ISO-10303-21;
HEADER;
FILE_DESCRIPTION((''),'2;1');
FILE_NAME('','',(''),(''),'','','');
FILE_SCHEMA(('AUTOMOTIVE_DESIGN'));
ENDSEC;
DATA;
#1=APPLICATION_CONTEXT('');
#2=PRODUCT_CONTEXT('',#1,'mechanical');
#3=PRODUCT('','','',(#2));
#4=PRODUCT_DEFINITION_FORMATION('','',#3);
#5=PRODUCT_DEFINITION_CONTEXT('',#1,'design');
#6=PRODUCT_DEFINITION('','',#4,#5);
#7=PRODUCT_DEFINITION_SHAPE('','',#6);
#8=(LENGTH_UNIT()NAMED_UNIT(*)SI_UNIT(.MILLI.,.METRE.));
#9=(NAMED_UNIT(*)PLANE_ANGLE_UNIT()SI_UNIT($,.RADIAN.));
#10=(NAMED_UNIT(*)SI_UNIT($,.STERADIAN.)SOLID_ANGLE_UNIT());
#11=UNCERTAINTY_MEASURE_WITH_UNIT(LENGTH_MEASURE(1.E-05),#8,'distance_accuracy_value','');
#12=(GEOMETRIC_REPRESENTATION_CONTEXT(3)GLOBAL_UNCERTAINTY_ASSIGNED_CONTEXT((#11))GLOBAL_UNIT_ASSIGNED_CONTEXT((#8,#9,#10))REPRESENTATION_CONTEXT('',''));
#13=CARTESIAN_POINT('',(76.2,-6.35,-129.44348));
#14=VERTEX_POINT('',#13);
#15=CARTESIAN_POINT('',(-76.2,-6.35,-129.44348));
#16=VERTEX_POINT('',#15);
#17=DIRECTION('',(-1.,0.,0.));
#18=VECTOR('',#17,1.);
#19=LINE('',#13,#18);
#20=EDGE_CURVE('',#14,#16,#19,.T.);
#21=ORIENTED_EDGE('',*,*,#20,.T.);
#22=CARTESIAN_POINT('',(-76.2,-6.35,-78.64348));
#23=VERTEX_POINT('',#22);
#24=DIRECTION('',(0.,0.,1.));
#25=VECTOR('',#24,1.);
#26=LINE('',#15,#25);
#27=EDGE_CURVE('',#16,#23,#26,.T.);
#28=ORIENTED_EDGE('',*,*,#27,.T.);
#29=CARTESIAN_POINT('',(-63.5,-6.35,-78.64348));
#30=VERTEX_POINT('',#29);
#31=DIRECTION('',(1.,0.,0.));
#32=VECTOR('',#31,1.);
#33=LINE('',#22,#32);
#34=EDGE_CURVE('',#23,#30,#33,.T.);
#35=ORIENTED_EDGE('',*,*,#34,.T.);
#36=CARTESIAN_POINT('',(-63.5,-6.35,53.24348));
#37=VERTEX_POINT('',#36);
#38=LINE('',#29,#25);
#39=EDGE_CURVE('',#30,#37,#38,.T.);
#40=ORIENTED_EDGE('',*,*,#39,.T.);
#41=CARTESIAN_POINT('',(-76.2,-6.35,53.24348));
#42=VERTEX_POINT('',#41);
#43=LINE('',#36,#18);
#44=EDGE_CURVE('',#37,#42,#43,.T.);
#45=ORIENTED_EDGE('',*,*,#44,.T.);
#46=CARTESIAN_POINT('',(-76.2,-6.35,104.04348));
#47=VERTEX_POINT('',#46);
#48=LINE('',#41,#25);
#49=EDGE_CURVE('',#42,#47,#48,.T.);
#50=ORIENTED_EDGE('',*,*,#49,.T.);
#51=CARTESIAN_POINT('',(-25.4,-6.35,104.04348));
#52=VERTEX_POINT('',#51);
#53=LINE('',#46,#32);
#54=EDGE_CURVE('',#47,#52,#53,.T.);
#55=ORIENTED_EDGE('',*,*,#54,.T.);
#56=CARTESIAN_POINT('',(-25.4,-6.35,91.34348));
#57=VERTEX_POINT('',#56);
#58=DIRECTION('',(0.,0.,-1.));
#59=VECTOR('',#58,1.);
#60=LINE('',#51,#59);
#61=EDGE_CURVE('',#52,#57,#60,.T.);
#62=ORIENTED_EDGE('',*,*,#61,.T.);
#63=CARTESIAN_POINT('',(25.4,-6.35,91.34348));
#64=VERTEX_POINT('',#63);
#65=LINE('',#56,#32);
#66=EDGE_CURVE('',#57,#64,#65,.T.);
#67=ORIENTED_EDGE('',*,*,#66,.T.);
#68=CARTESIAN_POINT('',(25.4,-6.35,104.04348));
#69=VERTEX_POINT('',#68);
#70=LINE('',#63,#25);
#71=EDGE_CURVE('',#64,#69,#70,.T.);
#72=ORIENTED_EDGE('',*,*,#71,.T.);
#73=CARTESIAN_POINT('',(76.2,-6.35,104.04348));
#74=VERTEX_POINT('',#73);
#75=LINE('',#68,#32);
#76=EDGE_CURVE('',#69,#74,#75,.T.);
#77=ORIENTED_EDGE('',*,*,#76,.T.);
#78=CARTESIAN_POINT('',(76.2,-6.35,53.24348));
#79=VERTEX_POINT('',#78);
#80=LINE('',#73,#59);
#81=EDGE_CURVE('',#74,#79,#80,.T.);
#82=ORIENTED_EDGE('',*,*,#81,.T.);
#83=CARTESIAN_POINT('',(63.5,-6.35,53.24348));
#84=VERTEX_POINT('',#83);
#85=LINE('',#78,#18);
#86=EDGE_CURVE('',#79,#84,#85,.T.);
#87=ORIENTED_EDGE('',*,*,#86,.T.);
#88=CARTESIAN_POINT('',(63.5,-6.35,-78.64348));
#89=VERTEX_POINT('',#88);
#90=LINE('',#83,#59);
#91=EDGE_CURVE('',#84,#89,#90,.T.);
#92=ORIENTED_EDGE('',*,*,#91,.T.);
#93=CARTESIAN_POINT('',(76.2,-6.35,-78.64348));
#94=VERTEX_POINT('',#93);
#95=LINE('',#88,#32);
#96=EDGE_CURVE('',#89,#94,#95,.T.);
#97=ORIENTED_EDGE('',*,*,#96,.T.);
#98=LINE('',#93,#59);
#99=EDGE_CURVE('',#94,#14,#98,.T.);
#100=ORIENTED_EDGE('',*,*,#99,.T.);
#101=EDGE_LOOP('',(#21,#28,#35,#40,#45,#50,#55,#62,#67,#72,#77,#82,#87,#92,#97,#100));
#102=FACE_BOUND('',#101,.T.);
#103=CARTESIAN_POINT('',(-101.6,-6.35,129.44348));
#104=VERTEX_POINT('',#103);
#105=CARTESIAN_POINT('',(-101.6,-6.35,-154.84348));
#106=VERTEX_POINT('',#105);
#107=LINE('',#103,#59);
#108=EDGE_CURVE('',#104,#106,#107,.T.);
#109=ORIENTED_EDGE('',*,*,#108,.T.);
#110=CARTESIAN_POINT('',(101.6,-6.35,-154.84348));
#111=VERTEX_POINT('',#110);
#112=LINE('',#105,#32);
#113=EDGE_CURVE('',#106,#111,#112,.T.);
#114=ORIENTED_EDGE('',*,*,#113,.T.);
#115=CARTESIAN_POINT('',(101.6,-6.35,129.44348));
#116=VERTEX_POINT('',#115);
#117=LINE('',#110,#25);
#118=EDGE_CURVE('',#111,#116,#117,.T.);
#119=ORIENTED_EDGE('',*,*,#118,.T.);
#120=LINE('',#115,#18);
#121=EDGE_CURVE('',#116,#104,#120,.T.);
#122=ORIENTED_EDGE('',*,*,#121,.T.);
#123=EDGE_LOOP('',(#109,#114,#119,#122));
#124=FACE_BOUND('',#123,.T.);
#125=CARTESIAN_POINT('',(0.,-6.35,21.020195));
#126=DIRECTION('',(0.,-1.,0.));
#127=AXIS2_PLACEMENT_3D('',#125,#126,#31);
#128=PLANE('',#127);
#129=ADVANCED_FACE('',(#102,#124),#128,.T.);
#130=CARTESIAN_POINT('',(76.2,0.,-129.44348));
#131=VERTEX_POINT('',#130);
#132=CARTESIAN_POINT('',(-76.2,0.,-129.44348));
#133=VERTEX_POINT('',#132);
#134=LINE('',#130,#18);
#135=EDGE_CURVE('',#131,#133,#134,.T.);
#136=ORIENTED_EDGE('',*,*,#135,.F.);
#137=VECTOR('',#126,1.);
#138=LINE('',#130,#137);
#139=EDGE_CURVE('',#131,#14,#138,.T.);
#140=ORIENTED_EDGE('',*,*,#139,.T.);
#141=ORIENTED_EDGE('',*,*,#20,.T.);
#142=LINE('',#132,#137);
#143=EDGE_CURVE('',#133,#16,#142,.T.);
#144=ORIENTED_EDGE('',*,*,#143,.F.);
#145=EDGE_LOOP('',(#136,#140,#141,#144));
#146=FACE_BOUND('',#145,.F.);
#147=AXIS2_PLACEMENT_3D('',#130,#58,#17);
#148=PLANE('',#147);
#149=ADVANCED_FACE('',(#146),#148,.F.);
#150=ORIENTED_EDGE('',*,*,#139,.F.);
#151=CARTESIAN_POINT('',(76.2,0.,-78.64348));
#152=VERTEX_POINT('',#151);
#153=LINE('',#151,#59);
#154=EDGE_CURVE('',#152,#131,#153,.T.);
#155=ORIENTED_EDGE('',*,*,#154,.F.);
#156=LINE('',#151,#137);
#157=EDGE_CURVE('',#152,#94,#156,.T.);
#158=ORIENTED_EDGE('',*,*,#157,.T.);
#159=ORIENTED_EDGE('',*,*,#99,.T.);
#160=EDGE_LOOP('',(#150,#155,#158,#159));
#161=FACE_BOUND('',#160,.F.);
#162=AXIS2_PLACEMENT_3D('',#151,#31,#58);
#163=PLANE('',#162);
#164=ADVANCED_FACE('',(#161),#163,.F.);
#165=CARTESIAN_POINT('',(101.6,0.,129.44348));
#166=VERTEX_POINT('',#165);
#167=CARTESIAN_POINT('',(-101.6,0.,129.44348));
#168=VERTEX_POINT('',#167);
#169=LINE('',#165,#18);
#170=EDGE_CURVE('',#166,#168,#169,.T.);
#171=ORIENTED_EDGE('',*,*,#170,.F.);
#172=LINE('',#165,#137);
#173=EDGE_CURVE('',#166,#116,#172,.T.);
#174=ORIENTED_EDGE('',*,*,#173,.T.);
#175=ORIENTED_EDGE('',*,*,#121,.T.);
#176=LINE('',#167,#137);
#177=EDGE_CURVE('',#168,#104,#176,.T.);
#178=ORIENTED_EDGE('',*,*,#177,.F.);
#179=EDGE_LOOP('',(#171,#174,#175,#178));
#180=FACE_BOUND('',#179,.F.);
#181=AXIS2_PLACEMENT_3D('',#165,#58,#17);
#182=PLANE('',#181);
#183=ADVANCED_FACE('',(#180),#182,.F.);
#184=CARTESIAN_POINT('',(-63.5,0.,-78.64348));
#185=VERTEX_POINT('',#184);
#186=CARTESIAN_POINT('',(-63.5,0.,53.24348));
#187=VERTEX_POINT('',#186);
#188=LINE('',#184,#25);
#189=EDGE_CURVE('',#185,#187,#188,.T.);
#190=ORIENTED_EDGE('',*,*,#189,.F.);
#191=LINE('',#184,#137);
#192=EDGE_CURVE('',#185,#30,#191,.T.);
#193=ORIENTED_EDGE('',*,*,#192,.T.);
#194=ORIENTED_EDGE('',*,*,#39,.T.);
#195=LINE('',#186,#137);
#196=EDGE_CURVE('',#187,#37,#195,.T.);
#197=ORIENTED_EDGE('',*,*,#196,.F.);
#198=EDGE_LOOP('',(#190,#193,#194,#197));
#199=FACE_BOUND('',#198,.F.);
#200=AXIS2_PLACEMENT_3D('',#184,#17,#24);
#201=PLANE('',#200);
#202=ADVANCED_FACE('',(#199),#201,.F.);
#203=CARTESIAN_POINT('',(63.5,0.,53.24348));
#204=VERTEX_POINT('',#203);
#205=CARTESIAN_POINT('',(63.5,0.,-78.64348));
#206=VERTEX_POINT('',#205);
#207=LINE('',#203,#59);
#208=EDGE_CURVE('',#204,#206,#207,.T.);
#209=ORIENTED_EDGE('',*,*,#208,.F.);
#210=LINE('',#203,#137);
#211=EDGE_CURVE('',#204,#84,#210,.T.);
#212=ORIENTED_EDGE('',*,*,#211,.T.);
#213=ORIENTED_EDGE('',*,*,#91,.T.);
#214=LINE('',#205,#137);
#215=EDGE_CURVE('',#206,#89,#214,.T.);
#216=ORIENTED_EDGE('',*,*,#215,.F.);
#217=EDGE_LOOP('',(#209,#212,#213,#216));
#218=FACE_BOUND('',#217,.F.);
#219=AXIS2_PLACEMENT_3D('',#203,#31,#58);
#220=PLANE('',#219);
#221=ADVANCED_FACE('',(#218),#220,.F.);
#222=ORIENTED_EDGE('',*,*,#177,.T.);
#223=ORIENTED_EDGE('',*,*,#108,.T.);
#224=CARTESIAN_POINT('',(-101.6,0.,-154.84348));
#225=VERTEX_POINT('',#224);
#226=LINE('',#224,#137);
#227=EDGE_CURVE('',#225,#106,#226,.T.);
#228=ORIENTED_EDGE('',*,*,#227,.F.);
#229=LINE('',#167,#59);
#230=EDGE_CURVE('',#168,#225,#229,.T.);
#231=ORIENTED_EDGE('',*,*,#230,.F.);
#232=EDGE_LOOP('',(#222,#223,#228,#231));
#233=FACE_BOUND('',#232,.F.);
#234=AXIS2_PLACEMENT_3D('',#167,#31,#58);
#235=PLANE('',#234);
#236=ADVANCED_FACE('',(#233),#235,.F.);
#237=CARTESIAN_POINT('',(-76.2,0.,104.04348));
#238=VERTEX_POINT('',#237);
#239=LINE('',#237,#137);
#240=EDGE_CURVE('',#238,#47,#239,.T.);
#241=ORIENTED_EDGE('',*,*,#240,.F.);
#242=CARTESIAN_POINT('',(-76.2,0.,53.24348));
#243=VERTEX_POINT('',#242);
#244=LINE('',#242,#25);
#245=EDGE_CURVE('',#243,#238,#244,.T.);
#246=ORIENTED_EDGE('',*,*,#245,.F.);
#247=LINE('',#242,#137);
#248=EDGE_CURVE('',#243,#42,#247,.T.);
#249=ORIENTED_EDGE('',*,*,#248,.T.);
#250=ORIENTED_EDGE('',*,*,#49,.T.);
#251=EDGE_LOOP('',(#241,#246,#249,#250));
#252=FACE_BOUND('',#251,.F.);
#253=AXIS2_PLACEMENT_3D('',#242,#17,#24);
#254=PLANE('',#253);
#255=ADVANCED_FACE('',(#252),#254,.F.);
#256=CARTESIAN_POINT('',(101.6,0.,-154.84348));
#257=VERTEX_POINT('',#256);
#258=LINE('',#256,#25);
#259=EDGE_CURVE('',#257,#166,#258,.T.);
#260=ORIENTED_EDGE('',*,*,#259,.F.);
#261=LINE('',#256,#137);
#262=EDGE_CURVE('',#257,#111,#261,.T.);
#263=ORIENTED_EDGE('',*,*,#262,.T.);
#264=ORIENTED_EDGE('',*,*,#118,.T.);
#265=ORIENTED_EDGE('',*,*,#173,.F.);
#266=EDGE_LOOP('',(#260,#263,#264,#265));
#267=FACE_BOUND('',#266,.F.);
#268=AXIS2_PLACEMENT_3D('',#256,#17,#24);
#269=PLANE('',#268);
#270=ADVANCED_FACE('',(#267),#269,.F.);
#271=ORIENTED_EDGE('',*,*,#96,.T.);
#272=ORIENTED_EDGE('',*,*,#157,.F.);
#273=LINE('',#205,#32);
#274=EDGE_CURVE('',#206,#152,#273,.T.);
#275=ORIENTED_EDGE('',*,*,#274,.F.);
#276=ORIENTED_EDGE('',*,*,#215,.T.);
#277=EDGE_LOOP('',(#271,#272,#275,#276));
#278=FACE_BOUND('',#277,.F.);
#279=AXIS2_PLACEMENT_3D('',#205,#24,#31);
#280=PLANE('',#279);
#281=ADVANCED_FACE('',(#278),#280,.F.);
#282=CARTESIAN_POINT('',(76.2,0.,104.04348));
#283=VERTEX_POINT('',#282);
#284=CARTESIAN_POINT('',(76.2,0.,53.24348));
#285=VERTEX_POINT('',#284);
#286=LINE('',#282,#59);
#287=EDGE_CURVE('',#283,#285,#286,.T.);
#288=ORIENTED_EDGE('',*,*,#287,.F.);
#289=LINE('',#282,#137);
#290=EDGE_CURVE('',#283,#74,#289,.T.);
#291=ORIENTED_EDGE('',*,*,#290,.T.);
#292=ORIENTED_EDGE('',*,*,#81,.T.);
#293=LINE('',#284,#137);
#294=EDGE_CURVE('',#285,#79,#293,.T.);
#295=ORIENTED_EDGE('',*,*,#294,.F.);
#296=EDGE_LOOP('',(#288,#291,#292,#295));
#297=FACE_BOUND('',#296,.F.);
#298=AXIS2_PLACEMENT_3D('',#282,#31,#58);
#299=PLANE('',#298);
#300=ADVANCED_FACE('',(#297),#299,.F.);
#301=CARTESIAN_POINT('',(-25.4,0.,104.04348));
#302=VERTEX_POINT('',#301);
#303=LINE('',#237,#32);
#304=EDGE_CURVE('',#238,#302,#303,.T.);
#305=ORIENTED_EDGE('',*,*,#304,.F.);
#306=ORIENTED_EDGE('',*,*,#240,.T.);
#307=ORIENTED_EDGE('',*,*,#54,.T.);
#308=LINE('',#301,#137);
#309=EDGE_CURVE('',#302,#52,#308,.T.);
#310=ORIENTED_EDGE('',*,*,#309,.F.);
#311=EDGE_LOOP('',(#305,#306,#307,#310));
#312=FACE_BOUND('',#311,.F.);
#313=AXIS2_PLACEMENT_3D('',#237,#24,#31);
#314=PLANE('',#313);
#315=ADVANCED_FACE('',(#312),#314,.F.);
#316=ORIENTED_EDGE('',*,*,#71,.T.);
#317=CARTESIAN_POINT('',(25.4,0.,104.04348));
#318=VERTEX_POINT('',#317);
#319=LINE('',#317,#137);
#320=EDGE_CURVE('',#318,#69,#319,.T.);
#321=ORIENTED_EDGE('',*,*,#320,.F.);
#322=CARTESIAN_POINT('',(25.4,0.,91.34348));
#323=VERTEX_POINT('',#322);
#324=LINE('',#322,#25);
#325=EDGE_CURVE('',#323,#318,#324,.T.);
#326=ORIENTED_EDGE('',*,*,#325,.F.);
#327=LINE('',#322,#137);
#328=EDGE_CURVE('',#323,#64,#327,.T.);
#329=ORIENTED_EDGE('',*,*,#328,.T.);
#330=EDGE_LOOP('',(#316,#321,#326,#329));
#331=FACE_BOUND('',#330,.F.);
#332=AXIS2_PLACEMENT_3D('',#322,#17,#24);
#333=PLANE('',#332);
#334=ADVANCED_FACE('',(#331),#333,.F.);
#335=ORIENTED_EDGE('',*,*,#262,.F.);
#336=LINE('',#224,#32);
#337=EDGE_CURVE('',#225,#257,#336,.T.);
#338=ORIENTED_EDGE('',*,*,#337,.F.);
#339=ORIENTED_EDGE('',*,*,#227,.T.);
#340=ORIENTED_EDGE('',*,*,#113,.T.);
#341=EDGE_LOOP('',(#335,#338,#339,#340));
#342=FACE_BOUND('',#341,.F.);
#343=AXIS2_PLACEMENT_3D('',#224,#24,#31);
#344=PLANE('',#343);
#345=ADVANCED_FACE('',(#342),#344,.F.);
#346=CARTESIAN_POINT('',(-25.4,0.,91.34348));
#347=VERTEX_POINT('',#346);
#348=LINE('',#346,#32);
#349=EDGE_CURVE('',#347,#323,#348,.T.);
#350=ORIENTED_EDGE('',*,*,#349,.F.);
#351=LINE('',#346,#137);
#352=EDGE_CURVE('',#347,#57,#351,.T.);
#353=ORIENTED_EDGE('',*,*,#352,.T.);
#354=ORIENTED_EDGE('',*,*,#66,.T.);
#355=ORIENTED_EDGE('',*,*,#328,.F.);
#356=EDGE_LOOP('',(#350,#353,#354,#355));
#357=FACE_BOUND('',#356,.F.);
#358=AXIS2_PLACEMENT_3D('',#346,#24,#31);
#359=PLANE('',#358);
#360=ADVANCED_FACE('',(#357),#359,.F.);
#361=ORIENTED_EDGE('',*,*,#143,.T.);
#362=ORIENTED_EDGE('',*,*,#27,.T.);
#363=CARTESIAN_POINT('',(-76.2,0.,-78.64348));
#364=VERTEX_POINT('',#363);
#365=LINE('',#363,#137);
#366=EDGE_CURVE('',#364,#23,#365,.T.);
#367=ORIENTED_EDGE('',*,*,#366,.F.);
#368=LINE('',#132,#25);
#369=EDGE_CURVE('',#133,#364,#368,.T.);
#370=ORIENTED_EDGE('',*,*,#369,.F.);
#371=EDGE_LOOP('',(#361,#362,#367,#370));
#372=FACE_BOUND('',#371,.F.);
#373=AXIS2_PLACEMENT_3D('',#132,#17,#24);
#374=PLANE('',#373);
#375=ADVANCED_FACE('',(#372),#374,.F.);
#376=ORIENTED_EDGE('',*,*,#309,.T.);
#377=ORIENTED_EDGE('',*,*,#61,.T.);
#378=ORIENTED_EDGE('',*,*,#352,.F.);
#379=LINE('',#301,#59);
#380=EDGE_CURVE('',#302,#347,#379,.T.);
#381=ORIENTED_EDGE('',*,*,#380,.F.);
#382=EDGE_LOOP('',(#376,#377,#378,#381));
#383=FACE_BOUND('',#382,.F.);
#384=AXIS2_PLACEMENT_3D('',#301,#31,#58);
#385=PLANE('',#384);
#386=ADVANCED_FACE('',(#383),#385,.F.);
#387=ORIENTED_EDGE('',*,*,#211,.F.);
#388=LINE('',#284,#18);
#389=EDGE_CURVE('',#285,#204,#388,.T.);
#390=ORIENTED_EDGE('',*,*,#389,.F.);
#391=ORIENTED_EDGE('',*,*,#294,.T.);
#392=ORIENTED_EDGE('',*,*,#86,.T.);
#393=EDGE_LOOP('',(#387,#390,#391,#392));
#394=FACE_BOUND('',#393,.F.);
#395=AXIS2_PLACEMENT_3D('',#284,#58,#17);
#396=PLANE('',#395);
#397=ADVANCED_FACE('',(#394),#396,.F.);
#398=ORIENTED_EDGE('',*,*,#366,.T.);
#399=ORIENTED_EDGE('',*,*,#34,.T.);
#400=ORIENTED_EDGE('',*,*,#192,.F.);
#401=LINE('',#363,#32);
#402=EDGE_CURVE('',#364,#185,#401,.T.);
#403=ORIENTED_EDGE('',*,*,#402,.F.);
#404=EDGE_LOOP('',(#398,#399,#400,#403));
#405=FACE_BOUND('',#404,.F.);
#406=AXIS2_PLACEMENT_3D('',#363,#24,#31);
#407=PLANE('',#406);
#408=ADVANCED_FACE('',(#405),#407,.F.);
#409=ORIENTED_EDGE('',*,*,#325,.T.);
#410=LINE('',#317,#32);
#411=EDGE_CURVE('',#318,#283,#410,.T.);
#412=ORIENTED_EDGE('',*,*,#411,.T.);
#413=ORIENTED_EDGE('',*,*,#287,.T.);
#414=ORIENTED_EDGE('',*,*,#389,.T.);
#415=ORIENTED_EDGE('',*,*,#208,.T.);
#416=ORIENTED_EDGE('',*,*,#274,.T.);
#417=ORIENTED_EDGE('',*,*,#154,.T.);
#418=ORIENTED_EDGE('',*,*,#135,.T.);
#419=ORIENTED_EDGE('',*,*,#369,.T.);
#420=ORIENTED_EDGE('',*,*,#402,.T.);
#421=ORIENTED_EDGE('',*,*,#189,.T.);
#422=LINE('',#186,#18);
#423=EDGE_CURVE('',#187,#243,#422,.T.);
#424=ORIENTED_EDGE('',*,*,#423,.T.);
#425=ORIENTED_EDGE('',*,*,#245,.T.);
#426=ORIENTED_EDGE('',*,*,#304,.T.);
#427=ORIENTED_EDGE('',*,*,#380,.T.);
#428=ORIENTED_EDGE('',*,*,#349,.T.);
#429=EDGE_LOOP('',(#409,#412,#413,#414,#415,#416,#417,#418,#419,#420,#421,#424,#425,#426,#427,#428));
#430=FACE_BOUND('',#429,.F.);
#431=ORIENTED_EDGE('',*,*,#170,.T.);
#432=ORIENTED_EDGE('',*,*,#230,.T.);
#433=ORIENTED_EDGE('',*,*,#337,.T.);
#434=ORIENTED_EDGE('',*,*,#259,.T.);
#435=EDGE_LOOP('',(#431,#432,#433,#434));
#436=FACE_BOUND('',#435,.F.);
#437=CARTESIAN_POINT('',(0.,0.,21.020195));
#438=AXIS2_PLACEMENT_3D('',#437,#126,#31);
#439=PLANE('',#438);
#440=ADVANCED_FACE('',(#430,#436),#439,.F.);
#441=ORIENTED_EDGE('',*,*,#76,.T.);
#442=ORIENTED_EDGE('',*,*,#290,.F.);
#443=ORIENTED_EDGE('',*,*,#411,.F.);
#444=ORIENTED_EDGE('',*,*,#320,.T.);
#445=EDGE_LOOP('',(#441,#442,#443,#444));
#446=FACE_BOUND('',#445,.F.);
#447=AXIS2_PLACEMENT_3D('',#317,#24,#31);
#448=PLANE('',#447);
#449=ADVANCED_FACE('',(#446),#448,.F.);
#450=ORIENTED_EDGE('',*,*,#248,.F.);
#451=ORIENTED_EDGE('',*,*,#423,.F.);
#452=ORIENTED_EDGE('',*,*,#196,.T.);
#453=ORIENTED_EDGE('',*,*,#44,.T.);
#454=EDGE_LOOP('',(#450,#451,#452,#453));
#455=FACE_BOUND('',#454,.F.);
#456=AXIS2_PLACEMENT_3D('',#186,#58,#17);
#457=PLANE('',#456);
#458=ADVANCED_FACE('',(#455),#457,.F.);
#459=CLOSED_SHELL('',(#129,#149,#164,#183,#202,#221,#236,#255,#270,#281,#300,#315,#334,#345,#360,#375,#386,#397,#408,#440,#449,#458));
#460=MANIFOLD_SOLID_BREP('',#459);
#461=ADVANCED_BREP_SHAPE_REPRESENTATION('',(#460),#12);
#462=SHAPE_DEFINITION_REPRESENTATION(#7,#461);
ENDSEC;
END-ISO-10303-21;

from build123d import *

# Parameters (mm, degrees)
F1_DEPTH = 6.35


with BuildPart() as f1:
    # F0 (on Front) → F1 (new body)
    with BuildSketch(Plane.XZ):
        Polygon((76.2, -129.44348), (101.6, -129.44348), (101.6, 129.44348), (-101.6, 129.44348), (-101.6, -129.44348), (-76.2, -129.44348), (-76.2, -78.64348), (-63.5, -78.64348), (-63.5, 53.24348), (-76.2, 53.24348), (-76.2, 104.04348), (-25.4, 104.04348), (-25.4, 91.34348), (25.4, 91.34348), (25.4, 104.04348), (76.2, 104.04348), (76.2, 53.24348), (63.5, 53.24348), (63.5, -78.64348), (76.2, -78.64348), align=None)
        Polygon((101.6, -154.84348), (101.6, -129.44348), (76.2, -129.44348), (63.5, -129.44348), (-63.5, -129.44348), (-76.2, -129.44348), (-101.6, -129.44348), (-101.6, -154.84348), align=None)
    extrude(amount=F1_DEPTH)


solid = f1.part
